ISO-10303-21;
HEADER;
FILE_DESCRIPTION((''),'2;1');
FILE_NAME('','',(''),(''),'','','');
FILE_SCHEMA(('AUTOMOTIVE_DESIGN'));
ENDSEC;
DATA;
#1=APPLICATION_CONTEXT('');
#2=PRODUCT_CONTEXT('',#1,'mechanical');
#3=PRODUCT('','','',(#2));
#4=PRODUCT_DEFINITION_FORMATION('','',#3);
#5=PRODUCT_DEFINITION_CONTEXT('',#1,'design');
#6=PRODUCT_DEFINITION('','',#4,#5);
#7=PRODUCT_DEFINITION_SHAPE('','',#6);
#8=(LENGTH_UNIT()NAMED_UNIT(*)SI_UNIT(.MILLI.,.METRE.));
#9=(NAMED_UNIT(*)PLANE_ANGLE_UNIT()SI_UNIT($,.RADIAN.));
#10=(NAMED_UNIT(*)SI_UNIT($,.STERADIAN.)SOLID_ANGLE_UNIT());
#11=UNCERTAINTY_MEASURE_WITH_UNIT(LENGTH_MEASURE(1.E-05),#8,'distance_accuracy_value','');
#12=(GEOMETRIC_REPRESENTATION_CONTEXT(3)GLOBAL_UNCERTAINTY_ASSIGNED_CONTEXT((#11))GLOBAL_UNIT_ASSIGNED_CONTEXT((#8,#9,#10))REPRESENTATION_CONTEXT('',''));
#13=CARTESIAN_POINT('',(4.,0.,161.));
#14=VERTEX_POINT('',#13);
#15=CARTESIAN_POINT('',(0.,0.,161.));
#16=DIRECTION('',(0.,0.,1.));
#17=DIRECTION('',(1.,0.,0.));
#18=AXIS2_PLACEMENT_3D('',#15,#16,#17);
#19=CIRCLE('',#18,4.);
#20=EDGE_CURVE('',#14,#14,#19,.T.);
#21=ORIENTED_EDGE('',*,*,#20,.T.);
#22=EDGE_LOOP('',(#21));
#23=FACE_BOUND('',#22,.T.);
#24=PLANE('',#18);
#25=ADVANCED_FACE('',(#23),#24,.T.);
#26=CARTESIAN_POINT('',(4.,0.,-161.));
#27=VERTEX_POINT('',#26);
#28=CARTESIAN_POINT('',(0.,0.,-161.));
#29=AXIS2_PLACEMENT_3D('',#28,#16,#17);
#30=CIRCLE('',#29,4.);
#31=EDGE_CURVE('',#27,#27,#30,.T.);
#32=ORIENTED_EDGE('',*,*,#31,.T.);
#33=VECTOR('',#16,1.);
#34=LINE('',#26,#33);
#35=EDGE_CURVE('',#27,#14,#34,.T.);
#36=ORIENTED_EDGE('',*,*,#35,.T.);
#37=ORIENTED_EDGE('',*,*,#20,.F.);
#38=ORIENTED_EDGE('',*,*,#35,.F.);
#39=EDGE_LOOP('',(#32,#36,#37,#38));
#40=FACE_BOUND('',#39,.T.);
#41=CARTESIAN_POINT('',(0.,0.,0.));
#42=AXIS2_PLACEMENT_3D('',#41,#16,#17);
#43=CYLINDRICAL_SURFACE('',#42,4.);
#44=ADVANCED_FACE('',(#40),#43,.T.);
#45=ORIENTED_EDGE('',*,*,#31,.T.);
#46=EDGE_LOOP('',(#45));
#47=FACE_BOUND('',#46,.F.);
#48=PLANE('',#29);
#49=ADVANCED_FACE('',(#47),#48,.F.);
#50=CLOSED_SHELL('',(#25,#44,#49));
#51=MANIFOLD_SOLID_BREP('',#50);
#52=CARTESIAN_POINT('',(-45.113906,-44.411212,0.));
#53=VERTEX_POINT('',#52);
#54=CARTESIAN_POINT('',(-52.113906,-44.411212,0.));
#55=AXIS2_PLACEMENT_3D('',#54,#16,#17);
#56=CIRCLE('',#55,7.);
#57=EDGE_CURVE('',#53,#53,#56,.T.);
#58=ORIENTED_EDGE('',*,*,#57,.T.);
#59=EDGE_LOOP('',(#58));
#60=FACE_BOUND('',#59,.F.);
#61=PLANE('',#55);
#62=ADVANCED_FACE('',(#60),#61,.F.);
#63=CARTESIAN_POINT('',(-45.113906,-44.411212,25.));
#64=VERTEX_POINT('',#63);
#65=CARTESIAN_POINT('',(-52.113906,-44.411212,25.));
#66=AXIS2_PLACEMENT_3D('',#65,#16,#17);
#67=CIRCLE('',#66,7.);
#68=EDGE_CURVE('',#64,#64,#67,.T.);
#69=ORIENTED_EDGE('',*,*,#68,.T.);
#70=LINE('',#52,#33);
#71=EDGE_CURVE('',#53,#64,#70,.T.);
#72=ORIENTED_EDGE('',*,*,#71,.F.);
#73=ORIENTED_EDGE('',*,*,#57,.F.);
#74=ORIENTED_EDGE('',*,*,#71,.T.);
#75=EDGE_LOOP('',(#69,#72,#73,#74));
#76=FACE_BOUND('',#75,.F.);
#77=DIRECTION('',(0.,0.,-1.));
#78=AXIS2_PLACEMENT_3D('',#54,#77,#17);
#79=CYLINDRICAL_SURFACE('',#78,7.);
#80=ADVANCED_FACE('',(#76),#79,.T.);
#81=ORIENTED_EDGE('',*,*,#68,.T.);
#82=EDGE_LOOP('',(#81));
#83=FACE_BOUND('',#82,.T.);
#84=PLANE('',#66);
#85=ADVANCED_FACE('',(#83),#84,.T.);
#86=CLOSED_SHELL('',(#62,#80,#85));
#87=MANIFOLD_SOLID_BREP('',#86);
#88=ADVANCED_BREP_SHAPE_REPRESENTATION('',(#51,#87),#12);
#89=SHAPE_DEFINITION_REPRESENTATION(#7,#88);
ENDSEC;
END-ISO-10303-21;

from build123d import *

# Parameters (mm, degrees)
F0_R     = 4
F1_DEPTH = 161
F2_R     = 7
F3_DEPTH = 25


with BuildPart() as f1:
    # F0 (on Top) → F1 (new body, symmetric)
    with BuildSketch(Plane.XY):
        Circle(F0_R)
    extrude(amount=F1_DEPTH, both=True)


with BuildPart() as f3:
    # F2 (on Top) → F3 (new body)
    with BuildSketch(Plane.XY):
        with Locations((-52.113905549, -44.4112122059)):
            Circle(F2_R)
    extrude(amount=F3_DEPTH)


solid = Compound([f1.part, f3.part])
